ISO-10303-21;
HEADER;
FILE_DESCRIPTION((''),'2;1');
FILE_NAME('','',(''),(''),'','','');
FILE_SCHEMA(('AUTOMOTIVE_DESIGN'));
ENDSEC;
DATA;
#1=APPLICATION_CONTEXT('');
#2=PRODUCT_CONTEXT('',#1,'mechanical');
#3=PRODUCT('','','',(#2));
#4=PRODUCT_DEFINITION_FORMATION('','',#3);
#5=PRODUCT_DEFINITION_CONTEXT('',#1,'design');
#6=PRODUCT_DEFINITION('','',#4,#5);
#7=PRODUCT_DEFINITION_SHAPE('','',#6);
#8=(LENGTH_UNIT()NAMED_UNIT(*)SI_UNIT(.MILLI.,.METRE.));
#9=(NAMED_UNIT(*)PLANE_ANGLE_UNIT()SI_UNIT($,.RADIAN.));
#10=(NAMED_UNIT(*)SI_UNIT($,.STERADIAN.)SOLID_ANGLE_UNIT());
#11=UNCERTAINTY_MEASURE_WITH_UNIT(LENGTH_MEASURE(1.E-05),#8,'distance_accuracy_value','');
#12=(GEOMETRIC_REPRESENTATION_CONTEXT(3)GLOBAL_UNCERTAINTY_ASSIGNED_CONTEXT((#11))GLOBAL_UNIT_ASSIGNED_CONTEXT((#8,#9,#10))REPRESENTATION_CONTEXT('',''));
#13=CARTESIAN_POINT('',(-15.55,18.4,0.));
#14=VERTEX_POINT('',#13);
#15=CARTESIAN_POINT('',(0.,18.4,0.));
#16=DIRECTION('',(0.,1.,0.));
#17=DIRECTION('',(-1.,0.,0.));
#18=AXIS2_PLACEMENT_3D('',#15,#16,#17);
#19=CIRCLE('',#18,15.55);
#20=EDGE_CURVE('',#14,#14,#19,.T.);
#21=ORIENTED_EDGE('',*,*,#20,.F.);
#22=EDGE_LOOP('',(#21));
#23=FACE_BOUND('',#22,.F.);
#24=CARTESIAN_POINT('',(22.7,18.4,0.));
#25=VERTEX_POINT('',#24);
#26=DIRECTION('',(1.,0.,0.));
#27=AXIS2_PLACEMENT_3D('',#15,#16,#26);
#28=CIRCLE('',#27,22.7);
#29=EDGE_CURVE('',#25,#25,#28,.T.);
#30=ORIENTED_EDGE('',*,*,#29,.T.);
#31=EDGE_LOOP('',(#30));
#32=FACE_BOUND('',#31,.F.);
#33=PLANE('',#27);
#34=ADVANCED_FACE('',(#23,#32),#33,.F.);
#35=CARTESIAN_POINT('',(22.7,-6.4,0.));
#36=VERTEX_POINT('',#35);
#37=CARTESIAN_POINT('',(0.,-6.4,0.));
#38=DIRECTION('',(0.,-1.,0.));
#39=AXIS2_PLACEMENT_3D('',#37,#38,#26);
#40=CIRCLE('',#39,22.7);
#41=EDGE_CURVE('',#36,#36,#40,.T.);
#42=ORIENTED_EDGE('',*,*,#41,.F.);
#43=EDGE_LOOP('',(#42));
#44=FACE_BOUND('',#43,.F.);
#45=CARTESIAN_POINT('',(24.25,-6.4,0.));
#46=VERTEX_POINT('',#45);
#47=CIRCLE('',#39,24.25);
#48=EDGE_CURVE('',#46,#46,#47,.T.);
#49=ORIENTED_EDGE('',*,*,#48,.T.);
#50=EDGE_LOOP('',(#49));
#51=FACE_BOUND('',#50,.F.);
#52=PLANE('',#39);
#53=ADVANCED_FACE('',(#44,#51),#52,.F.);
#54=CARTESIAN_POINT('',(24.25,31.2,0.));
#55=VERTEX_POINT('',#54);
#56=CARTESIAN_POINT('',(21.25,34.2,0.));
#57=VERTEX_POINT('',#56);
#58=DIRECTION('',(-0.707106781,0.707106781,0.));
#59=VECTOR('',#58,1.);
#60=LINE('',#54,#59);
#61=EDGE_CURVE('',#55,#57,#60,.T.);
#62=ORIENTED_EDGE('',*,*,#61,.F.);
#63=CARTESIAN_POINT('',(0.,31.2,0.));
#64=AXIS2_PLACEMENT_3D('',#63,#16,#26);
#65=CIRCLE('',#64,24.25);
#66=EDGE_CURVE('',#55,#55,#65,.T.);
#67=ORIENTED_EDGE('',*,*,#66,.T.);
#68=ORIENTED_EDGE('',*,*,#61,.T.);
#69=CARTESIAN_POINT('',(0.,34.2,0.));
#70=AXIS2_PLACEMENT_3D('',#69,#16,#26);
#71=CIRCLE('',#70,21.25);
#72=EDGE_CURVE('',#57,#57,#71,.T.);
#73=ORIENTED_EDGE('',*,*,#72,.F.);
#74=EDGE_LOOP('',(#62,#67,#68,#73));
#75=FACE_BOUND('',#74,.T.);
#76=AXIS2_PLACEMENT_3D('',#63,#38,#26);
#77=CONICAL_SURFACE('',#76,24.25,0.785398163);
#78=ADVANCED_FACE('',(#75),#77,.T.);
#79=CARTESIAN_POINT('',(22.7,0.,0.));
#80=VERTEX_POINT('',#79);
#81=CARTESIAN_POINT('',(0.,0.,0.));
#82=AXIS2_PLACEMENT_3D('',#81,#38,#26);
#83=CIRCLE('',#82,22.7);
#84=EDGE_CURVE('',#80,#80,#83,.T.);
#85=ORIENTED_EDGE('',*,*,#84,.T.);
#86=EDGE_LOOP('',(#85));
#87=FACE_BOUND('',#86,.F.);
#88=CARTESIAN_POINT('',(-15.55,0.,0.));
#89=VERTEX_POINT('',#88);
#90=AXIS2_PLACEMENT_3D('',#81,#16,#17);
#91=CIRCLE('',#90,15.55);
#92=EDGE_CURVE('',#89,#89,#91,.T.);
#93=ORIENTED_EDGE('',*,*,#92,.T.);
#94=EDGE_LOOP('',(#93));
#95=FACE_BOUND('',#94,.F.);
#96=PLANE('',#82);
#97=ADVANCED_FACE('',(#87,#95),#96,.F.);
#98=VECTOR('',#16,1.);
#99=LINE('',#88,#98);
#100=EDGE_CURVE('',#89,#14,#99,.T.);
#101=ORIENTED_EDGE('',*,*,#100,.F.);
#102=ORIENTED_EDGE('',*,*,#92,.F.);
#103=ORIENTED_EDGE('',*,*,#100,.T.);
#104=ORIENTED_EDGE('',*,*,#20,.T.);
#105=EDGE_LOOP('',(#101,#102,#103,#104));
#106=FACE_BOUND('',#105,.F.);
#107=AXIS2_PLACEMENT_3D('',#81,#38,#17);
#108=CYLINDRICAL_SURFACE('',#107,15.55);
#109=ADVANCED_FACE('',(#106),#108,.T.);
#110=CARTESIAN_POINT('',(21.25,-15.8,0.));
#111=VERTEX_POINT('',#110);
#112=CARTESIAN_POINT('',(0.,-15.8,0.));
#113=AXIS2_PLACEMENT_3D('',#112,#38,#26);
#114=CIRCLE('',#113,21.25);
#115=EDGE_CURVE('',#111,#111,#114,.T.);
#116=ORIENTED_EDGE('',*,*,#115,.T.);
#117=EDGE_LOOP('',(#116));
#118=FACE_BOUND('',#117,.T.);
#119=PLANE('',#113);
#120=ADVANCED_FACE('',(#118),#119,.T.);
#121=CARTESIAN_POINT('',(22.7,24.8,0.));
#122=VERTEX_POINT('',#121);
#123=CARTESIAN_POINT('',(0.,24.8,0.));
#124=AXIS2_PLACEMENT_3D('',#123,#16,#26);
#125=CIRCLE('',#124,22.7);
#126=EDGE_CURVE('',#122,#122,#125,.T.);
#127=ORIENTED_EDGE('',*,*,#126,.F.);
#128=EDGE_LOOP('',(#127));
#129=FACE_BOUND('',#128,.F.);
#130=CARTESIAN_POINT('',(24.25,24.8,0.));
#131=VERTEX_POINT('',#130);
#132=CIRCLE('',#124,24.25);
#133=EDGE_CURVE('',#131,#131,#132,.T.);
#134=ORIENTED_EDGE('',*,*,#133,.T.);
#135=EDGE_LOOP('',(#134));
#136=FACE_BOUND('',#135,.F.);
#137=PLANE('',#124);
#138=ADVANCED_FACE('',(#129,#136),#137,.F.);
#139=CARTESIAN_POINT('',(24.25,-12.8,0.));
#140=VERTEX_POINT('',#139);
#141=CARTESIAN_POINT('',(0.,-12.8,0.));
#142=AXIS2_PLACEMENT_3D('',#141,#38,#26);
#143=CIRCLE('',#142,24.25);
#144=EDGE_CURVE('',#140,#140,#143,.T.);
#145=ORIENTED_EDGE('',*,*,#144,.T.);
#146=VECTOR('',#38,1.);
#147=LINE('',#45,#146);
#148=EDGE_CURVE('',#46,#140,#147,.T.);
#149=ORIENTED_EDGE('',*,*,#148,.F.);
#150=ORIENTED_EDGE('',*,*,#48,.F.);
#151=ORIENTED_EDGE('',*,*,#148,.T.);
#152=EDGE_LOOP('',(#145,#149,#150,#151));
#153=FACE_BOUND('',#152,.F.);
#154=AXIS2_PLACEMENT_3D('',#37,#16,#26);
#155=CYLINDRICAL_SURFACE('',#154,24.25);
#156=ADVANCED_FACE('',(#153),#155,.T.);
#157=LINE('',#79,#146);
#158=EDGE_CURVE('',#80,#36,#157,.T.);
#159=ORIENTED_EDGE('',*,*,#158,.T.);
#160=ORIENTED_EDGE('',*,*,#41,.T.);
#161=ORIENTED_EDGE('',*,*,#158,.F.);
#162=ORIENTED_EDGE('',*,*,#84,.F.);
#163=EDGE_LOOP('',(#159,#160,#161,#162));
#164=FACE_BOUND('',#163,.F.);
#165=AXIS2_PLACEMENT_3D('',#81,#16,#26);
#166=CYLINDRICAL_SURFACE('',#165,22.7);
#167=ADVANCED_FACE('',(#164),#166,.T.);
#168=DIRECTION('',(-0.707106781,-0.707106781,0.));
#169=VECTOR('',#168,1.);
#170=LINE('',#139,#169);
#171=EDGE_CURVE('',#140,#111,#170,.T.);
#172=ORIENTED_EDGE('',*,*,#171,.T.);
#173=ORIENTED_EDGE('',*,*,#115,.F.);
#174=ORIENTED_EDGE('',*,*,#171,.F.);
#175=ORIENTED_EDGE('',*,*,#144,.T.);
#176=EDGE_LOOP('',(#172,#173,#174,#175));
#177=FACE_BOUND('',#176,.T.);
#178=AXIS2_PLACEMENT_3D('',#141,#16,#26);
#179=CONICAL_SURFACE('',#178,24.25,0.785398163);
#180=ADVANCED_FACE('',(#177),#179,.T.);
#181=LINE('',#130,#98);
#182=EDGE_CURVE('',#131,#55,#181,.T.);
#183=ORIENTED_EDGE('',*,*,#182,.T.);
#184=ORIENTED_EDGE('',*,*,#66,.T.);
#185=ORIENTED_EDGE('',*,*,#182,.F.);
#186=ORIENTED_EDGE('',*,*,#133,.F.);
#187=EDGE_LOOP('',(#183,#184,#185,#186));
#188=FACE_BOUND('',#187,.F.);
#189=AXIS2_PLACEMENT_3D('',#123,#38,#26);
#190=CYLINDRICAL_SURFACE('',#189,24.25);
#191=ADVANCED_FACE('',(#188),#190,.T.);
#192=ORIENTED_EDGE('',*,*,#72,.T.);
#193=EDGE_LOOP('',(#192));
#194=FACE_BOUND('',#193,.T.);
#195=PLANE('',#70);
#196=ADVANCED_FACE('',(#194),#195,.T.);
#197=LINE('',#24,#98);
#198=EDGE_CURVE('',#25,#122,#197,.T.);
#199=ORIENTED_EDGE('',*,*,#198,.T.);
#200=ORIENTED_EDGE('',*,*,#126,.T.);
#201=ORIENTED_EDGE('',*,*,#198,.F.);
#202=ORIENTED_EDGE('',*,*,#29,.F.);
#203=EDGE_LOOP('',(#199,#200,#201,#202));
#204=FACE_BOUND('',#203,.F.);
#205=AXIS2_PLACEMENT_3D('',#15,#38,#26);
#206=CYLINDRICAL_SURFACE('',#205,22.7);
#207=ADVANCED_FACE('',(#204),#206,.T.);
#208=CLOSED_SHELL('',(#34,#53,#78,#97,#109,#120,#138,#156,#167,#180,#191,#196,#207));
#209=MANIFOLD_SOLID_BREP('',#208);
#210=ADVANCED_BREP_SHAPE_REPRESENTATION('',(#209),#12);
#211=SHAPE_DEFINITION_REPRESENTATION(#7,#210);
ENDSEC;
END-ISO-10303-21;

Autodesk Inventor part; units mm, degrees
ref_plane "YZ Plane" through (0, 0, 0) normal (1, 0, 0) x (0, 1, 0)
ref_plane "XZ Plane" through (0, 0, 0) normal (0, 1, 0) x (-1, 0, 0)
ref_plane "XY Plane" through (0, 0, 0) normal (0, 0, 1) x (1, 0, 0)
sketch "Sketch1" plane through (0, 0, 0) normal (0, 1, 0) x (-1, 0, 0)
  circle A0 centre (0, 0) radius 15.55
  dimension "d1" = 31.1
extrude "Extrusion1" add sketch "Sketch1" along normal blind 18.4
sketch "Sketch2" plane through (0, 18.4, 0) normal (0, 1, 0) x (1, 0, 0)
  circle A0 centre (0, 0) radius 22.7
  dimension "d4" = 45.4
extrude "Extrusion2" add sketch "Sketch2" along normal blind 6.4
sketch "Sketch3" plane through (0, 24.8, 0) normal (0, 1, 0) x (1, 0, 0)
  circle A0 centre (0, 0) radius 24.25
  dimension "d7" = 48.5
extrude "Extrusion3" add sketch "Sketch3" along normal blind 9.4
sketch "Sketch4" plane through (0, 0, 0) normal (0, -1, 0) x (1, 0, 0)
  circle A0 centre (0, 0) radius 22.7
extrude "Extrusion4" add sketch "Sketch4" along normal blind 6.4
sketch "Sketch5" plane through (0, -6.4, 0) normal (0, -1, 0) x (1, 0, 0)
  circle A0 centre (0, 0) radius 24.25
extrude "Extrusion5" add sketch "Sketch5" along normal blind 9.4
chamfer "Chamfer1" distance 3 angle 45 1 edges at (-24.25, 34.2, 0)
chamfer "Chamfer2" distance 3 angle 45 1 edges at (-24.25, -15.8, 0)
properties part number "Hydraulic cylinder part 2"
